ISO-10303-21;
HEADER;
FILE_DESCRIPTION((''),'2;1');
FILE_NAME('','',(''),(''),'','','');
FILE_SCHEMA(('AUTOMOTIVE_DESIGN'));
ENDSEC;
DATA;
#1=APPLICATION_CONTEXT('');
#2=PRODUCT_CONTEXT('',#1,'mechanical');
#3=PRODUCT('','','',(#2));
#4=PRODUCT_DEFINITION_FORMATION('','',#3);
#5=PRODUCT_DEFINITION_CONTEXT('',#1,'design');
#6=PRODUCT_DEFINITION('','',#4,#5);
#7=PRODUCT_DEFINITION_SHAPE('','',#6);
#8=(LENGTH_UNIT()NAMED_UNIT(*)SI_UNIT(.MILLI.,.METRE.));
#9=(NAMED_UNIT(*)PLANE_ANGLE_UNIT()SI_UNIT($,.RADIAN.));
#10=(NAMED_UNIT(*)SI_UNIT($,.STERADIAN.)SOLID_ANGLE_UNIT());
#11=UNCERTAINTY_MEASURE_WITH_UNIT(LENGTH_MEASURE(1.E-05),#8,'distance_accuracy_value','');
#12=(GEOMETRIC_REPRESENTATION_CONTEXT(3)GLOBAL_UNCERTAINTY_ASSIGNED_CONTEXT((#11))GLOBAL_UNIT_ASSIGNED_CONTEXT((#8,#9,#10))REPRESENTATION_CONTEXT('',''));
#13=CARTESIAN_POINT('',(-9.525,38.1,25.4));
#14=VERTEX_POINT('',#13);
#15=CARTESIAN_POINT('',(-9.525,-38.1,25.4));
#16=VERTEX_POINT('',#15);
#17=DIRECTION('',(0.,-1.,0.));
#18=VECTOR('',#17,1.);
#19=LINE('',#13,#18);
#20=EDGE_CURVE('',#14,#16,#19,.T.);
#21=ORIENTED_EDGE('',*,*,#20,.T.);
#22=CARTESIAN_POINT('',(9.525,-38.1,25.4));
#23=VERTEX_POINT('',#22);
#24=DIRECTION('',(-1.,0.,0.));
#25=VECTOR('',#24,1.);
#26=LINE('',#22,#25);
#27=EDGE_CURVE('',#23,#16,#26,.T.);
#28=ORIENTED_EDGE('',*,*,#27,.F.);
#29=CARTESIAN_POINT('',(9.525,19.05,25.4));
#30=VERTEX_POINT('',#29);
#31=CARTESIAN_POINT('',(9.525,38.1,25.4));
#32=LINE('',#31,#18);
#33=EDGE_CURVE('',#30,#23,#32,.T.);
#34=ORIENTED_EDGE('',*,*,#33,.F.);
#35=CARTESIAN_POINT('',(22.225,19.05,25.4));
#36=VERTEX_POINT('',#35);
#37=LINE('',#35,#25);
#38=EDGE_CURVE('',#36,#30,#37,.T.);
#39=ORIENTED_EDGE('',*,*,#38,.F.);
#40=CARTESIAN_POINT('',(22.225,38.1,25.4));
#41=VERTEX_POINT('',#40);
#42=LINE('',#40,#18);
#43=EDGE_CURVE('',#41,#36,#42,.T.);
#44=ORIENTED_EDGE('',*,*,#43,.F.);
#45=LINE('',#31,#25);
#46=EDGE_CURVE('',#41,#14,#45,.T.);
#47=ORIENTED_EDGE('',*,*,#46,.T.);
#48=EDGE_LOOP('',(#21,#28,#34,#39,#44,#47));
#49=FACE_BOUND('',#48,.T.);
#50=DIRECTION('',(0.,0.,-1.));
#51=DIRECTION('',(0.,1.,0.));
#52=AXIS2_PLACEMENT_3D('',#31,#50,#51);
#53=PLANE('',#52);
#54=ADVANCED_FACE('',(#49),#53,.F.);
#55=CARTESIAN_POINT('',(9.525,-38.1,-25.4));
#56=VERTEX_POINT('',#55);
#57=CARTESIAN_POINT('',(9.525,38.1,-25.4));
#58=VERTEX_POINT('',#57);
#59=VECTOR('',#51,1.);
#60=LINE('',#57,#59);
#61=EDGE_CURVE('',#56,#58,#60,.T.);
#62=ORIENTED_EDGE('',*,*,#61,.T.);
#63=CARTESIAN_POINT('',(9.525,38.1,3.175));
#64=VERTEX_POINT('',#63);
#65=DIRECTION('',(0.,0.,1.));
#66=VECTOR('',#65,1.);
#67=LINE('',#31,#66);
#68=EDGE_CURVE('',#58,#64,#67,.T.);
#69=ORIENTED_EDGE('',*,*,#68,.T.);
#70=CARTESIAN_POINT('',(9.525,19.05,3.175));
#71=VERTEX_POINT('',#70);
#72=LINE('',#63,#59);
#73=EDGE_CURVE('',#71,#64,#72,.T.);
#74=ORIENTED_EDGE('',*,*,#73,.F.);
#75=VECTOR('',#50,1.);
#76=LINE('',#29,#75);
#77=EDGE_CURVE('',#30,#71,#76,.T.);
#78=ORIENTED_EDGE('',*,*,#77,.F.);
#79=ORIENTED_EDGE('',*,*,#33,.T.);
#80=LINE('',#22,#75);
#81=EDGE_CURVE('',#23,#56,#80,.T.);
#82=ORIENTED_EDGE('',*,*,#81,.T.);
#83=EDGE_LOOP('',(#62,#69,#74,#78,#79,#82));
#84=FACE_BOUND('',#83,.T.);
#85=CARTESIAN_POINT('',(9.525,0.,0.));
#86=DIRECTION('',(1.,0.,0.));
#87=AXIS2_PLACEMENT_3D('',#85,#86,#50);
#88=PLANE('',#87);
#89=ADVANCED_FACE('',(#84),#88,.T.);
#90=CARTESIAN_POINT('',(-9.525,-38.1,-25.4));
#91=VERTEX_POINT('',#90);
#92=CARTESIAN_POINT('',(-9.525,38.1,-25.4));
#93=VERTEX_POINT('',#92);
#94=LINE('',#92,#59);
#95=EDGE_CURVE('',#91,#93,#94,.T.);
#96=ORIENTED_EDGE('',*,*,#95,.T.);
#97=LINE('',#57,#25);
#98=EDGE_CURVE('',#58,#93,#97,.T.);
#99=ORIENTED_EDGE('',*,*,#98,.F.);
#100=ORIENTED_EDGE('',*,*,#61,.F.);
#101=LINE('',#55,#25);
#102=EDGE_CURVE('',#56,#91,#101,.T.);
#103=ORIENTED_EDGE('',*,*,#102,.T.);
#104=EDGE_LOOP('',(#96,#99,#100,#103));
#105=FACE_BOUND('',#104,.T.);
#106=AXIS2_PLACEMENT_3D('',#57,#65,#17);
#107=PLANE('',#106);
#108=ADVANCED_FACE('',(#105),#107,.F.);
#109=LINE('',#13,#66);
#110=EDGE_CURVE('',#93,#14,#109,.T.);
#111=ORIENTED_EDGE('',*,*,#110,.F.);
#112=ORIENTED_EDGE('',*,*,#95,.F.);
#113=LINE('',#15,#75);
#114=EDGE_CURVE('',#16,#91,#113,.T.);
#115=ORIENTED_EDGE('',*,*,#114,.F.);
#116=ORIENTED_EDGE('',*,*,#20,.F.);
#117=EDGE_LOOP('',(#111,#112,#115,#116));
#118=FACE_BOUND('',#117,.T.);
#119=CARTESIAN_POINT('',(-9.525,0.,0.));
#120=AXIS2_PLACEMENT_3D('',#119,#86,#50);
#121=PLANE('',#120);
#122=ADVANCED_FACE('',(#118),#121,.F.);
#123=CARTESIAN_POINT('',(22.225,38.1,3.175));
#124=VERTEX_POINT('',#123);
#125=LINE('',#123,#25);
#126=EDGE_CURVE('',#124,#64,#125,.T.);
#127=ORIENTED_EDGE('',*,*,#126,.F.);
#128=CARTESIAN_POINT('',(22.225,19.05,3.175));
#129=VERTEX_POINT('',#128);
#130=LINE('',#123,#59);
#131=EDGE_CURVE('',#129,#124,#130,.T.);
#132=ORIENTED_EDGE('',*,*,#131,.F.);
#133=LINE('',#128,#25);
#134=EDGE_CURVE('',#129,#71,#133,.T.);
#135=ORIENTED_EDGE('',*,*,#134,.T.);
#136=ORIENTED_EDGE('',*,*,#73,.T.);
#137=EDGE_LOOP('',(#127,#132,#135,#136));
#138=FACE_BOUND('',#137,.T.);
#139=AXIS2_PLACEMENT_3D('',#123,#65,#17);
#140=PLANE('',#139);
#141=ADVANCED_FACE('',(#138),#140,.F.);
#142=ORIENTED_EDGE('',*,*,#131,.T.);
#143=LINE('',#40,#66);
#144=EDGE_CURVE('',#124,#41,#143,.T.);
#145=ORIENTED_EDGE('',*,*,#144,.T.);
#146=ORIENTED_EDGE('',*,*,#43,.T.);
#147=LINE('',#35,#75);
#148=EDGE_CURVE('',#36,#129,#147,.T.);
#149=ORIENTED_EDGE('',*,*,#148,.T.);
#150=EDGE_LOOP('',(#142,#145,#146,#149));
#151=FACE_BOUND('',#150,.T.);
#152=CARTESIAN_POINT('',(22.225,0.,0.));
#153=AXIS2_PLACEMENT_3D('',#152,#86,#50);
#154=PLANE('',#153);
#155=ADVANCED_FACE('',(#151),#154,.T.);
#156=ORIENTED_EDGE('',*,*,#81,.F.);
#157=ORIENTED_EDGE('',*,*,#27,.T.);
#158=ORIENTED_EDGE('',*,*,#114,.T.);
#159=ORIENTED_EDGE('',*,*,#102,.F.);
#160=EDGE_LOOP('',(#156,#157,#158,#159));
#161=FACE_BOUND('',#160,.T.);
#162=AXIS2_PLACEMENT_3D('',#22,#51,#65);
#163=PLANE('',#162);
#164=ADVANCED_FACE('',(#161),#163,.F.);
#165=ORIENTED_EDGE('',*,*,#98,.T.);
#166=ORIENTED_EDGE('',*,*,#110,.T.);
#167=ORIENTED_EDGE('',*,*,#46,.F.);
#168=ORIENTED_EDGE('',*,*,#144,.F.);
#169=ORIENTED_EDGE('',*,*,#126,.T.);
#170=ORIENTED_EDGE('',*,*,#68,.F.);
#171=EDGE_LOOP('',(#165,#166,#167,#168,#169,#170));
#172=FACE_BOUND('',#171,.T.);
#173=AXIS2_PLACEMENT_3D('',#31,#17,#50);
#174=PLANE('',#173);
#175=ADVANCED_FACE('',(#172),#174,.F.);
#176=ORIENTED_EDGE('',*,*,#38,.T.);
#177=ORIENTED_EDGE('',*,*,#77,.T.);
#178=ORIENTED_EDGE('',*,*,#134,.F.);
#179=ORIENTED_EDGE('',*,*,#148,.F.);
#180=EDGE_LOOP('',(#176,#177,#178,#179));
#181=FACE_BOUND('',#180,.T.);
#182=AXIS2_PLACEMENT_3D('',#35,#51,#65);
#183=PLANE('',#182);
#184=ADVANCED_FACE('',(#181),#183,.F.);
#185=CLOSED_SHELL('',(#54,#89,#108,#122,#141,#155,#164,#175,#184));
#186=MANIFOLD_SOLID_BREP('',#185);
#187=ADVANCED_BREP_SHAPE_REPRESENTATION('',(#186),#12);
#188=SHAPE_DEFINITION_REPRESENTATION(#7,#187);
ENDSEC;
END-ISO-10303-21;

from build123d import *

# Parameters (mm, degrees)
SKETCH1_W           = 50.8
SKETCH1_H           = 76.2
BOSS_EXTRUDE1_DEPTH = 9.525
SKETCH3_W           = 22.225
SKETCH3_H           = 19.05
BOSS_EXTRUDE3_DEPTH = 12.7


with BuildPart() as part:
    # Sketch1 → Boss-Extrude1 (new body, symmetric)
    with BuildSketch(Plane(origin=(0, 0, 0), x_dir=(0, 0, -1), z_dir=(1, 0, 0))):
        Rectangle(SKETCH1_W, SKETCH1_H)
    extrude(amount=BOSS_EXTRUDE1_DEPTH, both=True)

    # Sketch3 → Boss-Extrude3 (add)
    with BuildSketch(Plane(origin=(9.525, 0, 0), x_dir=(0, 0, -1), z_dir=(1, 0, 0))):
        with Locations((-14.2875, 28.575)):
            Rectangle(SKETCH3_W, SKETCH3_H)
    extrude(amount=BOSS_EXTRUDE3_DEPTH)


solid = part.part
